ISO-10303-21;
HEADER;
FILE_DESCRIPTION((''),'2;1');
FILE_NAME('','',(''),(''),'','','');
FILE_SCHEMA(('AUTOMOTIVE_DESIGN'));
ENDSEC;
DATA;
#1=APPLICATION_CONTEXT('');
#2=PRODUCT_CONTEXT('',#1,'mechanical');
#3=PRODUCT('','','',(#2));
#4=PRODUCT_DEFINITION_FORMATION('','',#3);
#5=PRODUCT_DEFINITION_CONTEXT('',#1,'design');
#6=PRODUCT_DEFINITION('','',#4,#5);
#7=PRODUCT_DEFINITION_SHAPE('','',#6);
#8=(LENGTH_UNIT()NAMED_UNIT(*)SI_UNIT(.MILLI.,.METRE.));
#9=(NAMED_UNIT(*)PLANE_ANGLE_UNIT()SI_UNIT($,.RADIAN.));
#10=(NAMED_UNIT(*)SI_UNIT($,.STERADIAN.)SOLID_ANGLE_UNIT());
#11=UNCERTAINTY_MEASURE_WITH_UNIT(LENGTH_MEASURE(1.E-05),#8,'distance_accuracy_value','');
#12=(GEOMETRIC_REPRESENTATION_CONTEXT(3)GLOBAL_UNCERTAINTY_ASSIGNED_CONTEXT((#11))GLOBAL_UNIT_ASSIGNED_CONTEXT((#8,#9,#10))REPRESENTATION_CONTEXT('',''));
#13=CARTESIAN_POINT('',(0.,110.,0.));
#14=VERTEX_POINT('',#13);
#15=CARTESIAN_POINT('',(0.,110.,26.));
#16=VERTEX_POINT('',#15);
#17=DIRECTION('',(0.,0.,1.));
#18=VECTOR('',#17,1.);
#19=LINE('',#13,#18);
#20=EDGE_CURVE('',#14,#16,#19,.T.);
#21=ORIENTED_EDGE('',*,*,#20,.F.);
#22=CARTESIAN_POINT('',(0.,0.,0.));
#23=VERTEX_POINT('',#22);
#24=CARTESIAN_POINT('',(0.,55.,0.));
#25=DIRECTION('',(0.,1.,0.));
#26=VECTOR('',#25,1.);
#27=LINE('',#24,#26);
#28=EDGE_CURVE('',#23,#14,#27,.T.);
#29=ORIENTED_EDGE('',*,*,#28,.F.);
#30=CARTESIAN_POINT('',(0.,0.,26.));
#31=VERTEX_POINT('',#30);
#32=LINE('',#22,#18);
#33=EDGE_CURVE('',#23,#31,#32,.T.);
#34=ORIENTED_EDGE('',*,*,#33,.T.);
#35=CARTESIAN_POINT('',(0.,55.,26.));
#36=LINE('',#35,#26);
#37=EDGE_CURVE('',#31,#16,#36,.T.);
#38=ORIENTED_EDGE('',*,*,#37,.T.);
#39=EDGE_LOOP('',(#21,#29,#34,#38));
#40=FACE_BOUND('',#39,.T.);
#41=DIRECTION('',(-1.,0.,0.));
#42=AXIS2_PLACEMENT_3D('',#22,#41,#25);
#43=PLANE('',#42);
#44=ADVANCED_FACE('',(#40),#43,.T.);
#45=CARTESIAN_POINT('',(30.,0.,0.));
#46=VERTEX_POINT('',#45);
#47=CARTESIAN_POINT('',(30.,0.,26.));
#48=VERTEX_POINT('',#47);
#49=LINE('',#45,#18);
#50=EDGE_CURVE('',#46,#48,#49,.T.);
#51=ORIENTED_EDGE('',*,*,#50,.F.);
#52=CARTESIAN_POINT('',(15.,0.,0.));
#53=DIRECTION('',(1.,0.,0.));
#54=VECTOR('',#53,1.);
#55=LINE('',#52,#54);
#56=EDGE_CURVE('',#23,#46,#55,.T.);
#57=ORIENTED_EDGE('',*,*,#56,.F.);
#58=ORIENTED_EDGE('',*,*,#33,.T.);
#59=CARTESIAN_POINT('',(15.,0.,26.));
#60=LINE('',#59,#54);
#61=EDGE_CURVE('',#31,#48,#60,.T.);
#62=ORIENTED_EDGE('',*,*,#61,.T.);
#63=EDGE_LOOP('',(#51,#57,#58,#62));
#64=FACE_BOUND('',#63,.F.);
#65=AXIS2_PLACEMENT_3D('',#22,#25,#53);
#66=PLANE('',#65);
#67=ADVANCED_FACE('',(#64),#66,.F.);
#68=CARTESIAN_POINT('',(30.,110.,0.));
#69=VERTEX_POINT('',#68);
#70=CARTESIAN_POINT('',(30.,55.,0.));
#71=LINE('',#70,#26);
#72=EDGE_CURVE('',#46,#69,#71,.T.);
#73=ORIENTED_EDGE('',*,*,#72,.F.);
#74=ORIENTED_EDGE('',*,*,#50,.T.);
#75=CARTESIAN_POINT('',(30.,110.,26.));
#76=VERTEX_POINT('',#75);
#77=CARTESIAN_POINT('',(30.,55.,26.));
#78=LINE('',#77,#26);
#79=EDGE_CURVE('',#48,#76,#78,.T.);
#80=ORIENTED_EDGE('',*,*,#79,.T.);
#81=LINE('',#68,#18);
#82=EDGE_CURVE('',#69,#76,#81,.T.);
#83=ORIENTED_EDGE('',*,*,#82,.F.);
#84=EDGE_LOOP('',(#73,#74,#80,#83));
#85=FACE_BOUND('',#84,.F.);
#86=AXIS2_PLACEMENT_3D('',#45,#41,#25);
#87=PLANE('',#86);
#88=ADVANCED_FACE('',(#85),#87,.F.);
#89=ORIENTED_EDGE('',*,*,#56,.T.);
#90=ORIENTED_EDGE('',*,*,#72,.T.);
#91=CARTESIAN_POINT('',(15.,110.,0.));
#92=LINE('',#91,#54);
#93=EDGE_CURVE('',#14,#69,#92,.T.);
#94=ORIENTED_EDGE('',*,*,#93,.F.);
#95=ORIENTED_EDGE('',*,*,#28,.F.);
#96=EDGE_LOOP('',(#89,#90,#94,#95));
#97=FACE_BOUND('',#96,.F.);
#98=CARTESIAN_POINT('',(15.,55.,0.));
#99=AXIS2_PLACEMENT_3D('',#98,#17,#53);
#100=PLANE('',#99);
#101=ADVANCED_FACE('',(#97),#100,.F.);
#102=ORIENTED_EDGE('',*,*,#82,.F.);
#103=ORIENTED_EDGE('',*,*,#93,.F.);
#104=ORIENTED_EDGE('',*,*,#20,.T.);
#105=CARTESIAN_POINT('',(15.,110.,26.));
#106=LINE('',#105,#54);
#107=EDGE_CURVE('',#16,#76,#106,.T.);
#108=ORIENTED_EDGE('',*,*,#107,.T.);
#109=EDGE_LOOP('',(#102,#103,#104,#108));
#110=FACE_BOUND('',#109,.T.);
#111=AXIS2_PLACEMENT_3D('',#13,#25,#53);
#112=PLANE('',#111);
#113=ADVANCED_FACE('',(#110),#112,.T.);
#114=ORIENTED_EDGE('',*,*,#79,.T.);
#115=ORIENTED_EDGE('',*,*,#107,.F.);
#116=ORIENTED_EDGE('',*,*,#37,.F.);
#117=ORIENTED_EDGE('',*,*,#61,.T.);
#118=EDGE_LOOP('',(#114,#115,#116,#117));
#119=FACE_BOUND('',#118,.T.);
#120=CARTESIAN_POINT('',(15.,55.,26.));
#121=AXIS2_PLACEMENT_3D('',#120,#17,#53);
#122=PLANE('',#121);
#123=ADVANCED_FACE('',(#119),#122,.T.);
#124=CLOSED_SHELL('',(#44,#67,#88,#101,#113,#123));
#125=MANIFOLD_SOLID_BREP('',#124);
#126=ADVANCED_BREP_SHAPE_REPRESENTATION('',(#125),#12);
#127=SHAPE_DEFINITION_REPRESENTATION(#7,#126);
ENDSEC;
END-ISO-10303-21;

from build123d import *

# Parameters (mm, degrees)
BOX_W     = 30
BOX_H     = 110
BOX_DEPTH = 26


with BuildPart() as part:
    # Box → Box (new body)
    with BuildSketch(Plane.XY):
        with Locations((15, 55)):
            Rectangle(BOX_W, BOX_H)
    extrude(amount=BOX_DEPTH)


solid = part.part
